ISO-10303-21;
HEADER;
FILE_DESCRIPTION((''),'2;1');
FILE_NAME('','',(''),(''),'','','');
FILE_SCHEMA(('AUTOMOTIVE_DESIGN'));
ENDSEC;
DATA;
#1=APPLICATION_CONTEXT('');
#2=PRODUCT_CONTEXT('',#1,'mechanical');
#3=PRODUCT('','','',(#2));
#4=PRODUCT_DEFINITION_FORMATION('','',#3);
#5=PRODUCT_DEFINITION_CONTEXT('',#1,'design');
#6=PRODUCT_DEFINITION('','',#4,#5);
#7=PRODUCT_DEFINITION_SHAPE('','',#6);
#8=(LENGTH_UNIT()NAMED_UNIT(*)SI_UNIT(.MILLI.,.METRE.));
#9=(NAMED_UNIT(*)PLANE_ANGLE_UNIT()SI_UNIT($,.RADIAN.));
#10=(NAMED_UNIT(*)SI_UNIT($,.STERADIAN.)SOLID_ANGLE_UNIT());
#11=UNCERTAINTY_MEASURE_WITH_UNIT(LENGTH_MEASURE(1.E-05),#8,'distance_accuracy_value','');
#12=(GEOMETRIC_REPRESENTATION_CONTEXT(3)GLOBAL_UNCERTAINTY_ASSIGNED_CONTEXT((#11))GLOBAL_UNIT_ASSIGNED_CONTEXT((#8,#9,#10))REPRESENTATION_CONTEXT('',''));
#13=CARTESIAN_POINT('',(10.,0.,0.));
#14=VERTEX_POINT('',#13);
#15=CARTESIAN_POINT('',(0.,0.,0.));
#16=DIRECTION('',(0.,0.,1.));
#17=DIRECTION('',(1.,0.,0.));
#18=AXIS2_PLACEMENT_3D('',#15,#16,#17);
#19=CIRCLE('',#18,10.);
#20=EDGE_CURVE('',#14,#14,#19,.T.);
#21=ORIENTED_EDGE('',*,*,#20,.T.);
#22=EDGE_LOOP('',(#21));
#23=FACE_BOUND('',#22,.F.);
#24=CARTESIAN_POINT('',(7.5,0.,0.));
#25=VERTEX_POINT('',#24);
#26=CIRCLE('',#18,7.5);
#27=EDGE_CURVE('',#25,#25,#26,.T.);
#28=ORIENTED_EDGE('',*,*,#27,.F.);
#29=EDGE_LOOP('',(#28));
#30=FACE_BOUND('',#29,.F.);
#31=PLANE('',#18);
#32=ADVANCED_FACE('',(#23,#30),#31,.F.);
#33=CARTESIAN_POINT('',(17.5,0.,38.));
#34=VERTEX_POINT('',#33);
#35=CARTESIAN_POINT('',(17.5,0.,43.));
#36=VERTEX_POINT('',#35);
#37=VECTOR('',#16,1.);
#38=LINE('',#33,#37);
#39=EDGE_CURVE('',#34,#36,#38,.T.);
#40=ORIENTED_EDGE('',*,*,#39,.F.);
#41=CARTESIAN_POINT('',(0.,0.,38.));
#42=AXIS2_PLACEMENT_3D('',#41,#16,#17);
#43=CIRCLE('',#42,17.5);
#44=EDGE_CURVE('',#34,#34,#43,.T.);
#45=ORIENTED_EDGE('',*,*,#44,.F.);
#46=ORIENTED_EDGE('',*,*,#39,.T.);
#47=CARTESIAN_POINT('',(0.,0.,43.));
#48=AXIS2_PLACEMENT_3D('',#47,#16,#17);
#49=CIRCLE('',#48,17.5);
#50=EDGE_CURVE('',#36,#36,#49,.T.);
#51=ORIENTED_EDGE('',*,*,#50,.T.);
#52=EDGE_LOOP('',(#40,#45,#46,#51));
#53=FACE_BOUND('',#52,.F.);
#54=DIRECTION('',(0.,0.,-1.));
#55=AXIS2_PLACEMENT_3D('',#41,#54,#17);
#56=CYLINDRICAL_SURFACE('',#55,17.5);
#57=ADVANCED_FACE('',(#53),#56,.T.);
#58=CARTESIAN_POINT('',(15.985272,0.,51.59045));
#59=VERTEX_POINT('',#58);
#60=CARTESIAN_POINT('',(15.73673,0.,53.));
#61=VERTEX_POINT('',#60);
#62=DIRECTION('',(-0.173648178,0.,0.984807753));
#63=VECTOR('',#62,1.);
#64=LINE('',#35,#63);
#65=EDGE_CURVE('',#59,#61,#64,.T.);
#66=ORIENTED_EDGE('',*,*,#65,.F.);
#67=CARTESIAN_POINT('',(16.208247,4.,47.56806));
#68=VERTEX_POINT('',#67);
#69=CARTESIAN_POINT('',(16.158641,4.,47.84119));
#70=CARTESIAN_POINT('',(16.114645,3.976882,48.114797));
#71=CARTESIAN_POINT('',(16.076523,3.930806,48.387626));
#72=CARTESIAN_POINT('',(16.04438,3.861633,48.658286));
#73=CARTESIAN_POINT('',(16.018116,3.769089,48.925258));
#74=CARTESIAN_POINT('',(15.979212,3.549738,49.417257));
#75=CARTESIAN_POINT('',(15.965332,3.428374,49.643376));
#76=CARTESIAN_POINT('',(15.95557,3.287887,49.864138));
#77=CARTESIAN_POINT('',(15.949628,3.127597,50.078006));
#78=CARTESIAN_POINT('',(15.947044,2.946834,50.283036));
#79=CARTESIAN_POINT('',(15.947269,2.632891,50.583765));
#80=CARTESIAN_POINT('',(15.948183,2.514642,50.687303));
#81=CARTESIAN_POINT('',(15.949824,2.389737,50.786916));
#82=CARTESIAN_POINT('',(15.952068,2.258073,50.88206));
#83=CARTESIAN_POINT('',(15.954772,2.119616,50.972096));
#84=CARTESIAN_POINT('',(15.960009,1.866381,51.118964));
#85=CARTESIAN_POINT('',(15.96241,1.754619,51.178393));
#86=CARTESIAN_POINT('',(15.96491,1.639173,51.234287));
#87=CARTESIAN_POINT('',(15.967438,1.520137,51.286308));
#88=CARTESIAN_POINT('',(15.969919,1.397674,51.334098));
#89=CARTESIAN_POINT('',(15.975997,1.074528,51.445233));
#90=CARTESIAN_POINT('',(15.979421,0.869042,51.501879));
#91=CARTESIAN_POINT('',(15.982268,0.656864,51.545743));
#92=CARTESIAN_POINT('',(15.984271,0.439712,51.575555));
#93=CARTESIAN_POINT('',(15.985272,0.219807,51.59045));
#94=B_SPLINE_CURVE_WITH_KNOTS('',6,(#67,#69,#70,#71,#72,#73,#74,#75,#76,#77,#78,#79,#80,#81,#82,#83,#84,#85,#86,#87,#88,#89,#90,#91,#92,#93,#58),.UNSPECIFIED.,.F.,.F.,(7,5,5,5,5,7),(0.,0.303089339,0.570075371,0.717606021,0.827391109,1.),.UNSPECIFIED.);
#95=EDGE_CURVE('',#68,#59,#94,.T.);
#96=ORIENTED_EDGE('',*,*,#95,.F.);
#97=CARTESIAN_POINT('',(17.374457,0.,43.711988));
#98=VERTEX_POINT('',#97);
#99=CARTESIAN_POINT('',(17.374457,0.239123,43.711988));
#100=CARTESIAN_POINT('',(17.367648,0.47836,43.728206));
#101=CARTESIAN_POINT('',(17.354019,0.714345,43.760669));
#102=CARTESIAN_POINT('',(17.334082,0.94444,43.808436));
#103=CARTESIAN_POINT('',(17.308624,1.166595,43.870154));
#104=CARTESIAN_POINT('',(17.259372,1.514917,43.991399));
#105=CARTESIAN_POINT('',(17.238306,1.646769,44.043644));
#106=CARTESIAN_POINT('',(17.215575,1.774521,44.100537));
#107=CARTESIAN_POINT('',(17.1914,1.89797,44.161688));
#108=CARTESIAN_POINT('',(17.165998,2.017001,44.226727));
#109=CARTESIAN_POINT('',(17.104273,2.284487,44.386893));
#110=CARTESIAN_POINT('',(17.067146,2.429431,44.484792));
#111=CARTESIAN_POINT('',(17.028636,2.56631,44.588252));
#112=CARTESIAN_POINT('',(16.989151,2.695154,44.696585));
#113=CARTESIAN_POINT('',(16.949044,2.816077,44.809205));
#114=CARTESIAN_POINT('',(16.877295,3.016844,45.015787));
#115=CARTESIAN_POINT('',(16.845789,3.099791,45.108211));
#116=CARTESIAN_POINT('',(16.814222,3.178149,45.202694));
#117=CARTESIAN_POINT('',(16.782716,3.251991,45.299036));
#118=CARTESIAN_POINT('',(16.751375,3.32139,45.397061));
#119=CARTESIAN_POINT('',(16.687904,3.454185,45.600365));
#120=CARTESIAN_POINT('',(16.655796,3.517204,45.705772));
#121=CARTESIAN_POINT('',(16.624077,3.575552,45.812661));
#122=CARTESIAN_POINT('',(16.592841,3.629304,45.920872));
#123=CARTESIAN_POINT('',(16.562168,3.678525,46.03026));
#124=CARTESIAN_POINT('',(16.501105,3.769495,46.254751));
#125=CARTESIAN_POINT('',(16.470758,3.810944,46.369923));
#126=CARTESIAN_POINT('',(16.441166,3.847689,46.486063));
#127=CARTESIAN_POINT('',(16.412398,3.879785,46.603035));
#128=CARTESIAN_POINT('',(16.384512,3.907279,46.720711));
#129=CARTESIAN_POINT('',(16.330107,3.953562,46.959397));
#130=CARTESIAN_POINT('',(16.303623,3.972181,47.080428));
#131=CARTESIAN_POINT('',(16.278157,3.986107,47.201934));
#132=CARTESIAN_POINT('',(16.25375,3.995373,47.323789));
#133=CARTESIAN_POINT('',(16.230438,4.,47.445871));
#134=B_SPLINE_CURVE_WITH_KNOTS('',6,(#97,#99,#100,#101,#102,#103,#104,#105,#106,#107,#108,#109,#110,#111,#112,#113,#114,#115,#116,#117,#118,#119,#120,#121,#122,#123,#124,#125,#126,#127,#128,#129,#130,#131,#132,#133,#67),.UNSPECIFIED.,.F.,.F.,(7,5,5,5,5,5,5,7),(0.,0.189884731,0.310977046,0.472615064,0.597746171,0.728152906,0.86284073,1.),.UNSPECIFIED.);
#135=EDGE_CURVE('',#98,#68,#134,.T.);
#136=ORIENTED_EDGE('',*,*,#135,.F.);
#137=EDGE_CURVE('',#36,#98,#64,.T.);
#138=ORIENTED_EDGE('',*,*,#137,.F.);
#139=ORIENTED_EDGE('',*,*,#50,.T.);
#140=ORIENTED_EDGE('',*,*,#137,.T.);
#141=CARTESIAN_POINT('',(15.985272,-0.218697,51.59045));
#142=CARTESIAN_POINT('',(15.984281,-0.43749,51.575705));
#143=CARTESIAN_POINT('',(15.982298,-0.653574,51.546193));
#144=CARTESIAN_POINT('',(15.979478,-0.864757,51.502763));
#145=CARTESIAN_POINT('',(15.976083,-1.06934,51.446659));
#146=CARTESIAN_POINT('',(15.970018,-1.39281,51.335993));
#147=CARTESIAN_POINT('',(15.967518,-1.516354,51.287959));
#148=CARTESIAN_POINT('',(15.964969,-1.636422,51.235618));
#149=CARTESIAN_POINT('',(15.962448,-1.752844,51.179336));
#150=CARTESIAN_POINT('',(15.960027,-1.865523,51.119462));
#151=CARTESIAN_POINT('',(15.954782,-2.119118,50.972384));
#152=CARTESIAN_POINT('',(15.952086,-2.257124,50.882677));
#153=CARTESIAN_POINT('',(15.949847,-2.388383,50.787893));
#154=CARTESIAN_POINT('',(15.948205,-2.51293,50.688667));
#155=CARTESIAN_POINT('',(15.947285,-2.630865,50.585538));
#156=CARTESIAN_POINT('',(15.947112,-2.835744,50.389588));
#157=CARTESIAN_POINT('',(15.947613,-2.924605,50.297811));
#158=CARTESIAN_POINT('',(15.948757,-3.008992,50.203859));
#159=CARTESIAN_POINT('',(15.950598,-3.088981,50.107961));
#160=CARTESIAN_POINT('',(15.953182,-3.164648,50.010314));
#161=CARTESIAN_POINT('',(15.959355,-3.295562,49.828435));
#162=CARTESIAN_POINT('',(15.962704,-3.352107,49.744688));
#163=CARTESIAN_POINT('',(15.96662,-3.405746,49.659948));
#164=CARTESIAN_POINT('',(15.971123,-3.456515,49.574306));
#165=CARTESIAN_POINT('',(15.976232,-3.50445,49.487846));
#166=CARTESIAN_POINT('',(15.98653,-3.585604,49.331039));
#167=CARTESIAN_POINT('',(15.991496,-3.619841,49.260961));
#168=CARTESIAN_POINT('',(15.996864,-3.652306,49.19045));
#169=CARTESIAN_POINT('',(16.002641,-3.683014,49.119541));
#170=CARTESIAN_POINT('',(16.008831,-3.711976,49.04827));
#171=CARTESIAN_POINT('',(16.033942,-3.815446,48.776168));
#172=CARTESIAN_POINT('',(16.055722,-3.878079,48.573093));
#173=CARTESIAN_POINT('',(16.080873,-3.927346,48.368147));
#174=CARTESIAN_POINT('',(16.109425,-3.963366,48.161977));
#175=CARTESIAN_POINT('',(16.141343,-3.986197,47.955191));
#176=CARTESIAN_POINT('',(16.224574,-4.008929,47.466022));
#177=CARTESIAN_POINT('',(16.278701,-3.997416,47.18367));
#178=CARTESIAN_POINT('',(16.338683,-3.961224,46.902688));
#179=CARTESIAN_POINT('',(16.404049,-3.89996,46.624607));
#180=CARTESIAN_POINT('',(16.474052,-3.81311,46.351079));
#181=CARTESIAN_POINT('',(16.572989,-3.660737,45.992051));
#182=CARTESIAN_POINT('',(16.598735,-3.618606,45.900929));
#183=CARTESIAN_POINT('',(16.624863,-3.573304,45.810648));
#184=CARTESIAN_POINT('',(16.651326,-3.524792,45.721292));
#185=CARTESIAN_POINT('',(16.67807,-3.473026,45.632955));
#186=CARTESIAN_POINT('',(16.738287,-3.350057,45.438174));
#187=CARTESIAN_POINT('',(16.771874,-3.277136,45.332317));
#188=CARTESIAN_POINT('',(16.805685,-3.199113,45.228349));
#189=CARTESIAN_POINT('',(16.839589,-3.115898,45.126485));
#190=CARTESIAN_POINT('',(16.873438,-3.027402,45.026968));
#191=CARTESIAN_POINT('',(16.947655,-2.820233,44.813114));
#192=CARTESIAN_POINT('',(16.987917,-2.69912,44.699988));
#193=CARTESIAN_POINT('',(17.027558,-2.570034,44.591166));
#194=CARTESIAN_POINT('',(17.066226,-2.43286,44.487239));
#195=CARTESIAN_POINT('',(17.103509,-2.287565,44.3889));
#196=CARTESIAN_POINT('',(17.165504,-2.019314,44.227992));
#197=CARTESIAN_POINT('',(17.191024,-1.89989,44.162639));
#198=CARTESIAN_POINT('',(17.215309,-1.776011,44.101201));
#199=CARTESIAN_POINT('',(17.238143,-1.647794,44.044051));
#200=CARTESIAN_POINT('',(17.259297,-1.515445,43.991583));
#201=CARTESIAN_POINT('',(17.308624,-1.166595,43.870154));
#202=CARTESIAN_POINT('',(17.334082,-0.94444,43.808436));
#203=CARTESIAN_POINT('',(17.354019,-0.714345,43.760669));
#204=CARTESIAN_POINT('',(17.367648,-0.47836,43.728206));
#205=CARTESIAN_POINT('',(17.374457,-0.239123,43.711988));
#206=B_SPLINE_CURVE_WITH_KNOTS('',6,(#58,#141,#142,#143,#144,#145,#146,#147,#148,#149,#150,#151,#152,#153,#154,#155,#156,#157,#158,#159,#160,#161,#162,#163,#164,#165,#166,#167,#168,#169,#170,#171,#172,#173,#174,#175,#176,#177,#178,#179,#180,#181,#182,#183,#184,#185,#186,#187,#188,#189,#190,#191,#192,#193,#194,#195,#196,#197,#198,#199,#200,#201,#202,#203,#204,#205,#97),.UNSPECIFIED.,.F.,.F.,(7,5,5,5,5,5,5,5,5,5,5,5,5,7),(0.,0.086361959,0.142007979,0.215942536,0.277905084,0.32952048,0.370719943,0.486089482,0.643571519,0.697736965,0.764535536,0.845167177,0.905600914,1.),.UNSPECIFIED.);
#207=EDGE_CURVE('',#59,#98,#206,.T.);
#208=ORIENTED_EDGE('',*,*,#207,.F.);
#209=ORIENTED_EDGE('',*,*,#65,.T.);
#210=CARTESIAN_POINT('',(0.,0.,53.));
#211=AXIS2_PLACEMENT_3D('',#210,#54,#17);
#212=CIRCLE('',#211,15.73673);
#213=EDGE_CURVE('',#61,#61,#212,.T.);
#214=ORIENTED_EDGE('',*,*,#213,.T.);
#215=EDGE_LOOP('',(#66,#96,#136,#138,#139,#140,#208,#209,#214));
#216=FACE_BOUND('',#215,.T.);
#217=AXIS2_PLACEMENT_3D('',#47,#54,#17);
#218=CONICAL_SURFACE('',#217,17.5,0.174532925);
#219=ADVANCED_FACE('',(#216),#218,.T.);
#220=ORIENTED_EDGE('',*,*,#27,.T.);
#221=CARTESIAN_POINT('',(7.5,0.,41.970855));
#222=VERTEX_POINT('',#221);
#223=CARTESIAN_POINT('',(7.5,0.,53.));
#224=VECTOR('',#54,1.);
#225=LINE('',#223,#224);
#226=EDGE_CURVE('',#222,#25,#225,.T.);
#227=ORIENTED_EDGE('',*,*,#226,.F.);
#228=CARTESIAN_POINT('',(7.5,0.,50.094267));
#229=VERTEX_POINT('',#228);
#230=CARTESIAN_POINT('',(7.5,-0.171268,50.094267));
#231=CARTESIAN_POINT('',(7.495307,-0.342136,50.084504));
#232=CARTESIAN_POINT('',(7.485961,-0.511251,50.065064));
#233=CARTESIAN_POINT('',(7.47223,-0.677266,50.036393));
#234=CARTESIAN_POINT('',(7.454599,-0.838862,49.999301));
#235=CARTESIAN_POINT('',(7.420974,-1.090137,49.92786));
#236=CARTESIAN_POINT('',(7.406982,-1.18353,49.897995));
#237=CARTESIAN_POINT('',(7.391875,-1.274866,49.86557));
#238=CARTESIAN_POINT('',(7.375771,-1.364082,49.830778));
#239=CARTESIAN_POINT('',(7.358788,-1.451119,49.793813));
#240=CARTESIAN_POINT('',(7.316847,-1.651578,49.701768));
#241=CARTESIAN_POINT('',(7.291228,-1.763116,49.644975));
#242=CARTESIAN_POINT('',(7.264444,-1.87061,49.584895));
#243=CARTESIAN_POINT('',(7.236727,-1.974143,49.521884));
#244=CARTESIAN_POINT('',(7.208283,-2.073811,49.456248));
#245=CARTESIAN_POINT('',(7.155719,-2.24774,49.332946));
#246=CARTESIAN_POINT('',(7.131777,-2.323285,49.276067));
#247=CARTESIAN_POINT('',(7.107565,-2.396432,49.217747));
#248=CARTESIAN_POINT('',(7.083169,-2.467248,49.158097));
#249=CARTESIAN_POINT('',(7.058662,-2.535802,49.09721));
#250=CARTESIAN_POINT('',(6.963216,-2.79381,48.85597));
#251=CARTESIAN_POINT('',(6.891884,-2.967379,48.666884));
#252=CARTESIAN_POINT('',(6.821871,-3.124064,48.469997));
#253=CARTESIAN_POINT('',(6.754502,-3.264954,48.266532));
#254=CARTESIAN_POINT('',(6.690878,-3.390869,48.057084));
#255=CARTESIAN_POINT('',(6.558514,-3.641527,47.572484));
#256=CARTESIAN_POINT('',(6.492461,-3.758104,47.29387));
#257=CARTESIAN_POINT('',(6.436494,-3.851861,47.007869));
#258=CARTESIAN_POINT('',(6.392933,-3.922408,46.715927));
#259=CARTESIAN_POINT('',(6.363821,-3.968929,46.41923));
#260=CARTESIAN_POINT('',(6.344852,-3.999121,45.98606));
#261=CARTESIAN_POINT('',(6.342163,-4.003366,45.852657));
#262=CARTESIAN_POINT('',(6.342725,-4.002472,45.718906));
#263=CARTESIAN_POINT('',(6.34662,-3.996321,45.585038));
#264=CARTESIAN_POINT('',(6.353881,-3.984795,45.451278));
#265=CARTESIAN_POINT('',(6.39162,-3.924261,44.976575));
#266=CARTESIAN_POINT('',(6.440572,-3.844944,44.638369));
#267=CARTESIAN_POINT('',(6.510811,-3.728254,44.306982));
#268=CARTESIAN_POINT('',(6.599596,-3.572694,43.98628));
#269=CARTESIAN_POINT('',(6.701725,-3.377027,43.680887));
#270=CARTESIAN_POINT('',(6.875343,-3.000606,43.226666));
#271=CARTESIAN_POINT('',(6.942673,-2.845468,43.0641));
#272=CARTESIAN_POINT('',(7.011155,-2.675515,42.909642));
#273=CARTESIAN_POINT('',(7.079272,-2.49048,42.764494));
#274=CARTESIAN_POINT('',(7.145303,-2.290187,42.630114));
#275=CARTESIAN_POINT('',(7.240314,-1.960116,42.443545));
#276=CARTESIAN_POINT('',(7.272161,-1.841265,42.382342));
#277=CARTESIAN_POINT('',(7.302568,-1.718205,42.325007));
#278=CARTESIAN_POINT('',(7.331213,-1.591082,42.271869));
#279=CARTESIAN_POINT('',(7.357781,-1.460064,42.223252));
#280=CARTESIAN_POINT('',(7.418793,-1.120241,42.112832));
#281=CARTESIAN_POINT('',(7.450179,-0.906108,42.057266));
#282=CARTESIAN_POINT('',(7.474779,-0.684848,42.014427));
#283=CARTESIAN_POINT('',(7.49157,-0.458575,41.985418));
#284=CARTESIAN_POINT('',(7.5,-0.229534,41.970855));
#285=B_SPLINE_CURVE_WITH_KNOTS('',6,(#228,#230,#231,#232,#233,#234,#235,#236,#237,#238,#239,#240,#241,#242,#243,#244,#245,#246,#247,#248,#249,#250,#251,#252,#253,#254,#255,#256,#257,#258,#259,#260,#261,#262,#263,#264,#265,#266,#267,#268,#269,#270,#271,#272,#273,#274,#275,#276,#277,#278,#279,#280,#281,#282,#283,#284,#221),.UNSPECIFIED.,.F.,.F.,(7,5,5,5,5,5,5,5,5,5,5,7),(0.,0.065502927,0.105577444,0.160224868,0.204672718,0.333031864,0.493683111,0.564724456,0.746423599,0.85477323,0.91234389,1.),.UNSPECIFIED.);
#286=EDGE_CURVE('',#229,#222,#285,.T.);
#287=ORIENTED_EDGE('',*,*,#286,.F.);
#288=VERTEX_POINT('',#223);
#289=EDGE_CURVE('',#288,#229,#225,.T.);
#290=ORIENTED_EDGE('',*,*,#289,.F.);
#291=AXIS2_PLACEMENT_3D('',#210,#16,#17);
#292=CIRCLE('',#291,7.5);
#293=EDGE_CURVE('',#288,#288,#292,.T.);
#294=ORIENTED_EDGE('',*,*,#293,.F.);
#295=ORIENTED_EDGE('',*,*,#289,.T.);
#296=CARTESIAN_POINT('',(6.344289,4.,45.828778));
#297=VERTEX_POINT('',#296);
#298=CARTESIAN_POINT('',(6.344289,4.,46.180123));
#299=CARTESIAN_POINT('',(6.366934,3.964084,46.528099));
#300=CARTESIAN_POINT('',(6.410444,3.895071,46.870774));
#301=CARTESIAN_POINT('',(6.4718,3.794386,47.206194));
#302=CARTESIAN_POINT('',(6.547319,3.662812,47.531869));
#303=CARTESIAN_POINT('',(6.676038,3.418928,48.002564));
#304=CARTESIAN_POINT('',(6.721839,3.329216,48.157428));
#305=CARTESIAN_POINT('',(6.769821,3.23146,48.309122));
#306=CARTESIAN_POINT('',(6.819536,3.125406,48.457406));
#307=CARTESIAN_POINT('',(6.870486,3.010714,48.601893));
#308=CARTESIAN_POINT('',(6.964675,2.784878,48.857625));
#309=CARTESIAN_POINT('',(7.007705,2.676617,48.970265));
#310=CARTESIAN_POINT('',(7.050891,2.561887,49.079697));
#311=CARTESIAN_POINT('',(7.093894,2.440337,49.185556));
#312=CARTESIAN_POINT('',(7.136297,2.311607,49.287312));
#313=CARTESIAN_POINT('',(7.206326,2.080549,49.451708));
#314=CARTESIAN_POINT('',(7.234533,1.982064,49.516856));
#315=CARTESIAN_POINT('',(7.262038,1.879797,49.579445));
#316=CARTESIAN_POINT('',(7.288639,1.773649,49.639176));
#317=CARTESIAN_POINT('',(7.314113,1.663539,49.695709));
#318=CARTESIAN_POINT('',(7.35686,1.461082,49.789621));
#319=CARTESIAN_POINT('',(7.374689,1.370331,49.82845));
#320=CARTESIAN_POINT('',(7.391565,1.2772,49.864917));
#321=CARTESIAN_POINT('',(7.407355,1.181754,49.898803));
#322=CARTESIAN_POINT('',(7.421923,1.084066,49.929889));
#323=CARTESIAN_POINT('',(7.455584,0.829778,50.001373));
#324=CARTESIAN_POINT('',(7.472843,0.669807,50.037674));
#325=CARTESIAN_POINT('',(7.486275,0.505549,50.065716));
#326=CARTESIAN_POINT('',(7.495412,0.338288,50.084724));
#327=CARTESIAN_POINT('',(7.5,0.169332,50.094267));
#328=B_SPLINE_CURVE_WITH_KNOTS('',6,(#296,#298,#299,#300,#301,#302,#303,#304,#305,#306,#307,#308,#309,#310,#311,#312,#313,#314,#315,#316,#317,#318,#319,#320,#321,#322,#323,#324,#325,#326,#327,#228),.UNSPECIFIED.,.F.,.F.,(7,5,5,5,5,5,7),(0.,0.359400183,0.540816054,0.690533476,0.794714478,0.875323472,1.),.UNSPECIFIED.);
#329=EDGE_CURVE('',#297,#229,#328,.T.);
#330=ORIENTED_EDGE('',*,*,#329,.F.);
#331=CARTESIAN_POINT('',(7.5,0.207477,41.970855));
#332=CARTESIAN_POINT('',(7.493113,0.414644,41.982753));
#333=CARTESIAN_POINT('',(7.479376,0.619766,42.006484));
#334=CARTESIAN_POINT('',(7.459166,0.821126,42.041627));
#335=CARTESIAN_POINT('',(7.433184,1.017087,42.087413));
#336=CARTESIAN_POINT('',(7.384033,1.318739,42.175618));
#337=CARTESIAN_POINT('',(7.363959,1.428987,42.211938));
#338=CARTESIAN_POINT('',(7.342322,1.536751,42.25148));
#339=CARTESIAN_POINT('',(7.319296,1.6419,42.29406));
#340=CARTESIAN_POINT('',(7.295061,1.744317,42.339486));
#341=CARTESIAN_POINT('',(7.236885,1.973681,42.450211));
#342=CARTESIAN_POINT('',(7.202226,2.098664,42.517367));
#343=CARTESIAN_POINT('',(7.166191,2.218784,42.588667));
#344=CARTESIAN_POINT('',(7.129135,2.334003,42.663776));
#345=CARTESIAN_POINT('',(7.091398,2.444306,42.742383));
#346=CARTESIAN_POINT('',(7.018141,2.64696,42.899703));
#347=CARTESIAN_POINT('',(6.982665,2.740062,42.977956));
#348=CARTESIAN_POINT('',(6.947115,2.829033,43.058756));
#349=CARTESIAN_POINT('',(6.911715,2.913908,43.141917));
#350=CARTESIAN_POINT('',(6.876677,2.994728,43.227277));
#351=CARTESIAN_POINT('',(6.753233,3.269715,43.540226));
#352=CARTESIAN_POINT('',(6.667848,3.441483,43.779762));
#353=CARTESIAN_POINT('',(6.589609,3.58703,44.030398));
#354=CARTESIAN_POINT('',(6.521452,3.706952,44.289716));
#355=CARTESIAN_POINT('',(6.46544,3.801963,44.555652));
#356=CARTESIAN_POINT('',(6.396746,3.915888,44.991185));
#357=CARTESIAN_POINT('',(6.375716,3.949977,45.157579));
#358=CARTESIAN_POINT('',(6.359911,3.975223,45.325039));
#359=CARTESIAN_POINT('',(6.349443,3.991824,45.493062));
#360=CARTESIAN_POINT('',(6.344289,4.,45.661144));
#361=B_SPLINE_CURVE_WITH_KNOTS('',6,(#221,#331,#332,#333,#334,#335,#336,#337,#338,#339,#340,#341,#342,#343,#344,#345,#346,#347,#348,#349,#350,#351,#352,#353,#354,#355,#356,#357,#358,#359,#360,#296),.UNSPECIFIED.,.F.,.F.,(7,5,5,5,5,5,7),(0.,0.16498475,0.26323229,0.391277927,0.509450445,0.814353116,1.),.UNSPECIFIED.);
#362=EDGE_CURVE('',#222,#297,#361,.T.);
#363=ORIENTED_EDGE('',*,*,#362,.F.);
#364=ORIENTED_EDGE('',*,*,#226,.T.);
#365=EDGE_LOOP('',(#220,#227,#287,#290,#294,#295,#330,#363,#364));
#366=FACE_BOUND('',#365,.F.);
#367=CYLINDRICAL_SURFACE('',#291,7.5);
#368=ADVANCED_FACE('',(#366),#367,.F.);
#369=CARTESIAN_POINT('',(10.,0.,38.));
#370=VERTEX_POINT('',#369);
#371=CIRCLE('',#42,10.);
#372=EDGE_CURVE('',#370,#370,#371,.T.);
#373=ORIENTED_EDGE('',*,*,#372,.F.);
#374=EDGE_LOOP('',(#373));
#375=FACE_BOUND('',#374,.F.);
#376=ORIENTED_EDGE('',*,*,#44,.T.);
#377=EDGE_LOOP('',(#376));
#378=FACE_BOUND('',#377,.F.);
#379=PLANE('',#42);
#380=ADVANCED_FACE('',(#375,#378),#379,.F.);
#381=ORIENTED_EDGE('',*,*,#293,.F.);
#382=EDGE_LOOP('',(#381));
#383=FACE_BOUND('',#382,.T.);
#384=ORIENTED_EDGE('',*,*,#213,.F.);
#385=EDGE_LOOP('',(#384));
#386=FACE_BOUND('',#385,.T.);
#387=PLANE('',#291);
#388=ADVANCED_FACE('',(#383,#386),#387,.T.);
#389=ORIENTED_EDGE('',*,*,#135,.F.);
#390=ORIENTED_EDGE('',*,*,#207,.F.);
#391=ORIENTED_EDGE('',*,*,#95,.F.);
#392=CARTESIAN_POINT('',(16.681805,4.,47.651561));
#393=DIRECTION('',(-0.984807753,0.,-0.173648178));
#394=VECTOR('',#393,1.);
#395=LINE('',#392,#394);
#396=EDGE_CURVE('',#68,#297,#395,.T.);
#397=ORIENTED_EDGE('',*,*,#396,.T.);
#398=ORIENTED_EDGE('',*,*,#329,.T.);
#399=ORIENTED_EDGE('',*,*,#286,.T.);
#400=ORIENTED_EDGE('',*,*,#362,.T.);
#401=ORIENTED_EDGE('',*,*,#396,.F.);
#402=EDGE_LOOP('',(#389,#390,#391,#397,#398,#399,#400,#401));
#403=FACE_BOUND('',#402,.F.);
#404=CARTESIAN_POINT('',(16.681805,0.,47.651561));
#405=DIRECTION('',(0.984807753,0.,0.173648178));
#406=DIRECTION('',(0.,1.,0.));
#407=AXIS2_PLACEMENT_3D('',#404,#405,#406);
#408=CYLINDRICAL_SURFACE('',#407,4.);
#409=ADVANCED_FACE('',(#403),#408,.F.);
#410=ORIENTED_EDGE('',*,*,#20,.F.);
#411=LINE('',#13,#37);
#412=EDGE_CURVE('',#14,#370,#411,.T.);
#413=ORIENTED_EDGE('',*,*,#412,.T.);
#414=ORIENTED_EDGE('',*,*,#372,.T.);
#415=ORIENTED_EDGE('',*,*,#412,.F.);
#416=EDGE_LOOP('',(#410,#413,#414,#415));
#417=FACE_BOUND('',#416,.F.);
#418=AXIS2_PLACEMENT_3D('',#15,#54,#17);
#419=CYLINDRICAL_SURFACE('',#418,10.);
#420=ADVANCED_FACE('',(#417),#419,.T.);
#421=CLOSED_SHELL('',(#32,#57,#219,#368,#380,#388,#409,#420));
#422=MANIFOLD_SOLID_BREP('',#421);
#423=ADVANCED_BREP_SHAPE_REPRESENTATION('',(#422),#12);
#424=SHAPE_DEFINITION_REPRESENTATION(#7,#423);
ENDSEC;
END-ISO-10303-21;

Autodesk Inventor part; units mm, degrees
ref_plane "YZ Plane" through (0, 0, 0) normal (1, 0, 0) x (0, 1, 0)
ref_plane "XY Plane" through (0, 0, 0) normal (0, 0, 1) x (1, 0, 0)
sketch "Sketch1" plane through (0, 0, 0) normal (0, 0, 1) x (1, 0, 0)
  circle A0 centre (0, 0) radius 10
  dimension "d0" = 20
extrude "Extrusion1" add sketch "Sketch1" along normal blind 38
sketch "Sketch2" plane through (0, 0, 38) normal (0, 0, 1) x (1, 0, 0)
  circle A0 centre (0, 0) radius 17.5
  dimension "d3" = 35
extrude "Extrusion2" add sketch "Sketch2" along normal blind 5
sketch "Sketch3" plane through (0, 0, 43) normal (0, 0, 1) x (1, 0, 0)
  circle A0 centre (0, 0) radius 17.5 projected
extrude "Extrusion3" add sketch "Sketch3" along normal blind 10 draft -10
sketch "Sketch4" plane through (0, 0, 53) normal (0, 0, 1) x (1, 0, 0)
  circle A0 centre (0, 0) radius 7.5
  dimension "d9" = 15
extrude "Extrusion4" cut sketch "Sketch4" against normal through all
ref_plane "Work Plane1" through (15.7367, 0, 53) normal (0.9848, 0, 0.1736) x (0, 1, 0)
sketch "Sketch6" plane through (15.7367, 0, 53) normal (0.9848, 0, 0.1736) x (0, 1, 0)
  circle A0 centre (0, -5.4313) radius 4
  point P0 (0, -49.4622)
  dimension "d12" = 8
extrude "Extrusion5" cut sketch "Sketch6" against normal blind 13.25
properties part number "Midle"
